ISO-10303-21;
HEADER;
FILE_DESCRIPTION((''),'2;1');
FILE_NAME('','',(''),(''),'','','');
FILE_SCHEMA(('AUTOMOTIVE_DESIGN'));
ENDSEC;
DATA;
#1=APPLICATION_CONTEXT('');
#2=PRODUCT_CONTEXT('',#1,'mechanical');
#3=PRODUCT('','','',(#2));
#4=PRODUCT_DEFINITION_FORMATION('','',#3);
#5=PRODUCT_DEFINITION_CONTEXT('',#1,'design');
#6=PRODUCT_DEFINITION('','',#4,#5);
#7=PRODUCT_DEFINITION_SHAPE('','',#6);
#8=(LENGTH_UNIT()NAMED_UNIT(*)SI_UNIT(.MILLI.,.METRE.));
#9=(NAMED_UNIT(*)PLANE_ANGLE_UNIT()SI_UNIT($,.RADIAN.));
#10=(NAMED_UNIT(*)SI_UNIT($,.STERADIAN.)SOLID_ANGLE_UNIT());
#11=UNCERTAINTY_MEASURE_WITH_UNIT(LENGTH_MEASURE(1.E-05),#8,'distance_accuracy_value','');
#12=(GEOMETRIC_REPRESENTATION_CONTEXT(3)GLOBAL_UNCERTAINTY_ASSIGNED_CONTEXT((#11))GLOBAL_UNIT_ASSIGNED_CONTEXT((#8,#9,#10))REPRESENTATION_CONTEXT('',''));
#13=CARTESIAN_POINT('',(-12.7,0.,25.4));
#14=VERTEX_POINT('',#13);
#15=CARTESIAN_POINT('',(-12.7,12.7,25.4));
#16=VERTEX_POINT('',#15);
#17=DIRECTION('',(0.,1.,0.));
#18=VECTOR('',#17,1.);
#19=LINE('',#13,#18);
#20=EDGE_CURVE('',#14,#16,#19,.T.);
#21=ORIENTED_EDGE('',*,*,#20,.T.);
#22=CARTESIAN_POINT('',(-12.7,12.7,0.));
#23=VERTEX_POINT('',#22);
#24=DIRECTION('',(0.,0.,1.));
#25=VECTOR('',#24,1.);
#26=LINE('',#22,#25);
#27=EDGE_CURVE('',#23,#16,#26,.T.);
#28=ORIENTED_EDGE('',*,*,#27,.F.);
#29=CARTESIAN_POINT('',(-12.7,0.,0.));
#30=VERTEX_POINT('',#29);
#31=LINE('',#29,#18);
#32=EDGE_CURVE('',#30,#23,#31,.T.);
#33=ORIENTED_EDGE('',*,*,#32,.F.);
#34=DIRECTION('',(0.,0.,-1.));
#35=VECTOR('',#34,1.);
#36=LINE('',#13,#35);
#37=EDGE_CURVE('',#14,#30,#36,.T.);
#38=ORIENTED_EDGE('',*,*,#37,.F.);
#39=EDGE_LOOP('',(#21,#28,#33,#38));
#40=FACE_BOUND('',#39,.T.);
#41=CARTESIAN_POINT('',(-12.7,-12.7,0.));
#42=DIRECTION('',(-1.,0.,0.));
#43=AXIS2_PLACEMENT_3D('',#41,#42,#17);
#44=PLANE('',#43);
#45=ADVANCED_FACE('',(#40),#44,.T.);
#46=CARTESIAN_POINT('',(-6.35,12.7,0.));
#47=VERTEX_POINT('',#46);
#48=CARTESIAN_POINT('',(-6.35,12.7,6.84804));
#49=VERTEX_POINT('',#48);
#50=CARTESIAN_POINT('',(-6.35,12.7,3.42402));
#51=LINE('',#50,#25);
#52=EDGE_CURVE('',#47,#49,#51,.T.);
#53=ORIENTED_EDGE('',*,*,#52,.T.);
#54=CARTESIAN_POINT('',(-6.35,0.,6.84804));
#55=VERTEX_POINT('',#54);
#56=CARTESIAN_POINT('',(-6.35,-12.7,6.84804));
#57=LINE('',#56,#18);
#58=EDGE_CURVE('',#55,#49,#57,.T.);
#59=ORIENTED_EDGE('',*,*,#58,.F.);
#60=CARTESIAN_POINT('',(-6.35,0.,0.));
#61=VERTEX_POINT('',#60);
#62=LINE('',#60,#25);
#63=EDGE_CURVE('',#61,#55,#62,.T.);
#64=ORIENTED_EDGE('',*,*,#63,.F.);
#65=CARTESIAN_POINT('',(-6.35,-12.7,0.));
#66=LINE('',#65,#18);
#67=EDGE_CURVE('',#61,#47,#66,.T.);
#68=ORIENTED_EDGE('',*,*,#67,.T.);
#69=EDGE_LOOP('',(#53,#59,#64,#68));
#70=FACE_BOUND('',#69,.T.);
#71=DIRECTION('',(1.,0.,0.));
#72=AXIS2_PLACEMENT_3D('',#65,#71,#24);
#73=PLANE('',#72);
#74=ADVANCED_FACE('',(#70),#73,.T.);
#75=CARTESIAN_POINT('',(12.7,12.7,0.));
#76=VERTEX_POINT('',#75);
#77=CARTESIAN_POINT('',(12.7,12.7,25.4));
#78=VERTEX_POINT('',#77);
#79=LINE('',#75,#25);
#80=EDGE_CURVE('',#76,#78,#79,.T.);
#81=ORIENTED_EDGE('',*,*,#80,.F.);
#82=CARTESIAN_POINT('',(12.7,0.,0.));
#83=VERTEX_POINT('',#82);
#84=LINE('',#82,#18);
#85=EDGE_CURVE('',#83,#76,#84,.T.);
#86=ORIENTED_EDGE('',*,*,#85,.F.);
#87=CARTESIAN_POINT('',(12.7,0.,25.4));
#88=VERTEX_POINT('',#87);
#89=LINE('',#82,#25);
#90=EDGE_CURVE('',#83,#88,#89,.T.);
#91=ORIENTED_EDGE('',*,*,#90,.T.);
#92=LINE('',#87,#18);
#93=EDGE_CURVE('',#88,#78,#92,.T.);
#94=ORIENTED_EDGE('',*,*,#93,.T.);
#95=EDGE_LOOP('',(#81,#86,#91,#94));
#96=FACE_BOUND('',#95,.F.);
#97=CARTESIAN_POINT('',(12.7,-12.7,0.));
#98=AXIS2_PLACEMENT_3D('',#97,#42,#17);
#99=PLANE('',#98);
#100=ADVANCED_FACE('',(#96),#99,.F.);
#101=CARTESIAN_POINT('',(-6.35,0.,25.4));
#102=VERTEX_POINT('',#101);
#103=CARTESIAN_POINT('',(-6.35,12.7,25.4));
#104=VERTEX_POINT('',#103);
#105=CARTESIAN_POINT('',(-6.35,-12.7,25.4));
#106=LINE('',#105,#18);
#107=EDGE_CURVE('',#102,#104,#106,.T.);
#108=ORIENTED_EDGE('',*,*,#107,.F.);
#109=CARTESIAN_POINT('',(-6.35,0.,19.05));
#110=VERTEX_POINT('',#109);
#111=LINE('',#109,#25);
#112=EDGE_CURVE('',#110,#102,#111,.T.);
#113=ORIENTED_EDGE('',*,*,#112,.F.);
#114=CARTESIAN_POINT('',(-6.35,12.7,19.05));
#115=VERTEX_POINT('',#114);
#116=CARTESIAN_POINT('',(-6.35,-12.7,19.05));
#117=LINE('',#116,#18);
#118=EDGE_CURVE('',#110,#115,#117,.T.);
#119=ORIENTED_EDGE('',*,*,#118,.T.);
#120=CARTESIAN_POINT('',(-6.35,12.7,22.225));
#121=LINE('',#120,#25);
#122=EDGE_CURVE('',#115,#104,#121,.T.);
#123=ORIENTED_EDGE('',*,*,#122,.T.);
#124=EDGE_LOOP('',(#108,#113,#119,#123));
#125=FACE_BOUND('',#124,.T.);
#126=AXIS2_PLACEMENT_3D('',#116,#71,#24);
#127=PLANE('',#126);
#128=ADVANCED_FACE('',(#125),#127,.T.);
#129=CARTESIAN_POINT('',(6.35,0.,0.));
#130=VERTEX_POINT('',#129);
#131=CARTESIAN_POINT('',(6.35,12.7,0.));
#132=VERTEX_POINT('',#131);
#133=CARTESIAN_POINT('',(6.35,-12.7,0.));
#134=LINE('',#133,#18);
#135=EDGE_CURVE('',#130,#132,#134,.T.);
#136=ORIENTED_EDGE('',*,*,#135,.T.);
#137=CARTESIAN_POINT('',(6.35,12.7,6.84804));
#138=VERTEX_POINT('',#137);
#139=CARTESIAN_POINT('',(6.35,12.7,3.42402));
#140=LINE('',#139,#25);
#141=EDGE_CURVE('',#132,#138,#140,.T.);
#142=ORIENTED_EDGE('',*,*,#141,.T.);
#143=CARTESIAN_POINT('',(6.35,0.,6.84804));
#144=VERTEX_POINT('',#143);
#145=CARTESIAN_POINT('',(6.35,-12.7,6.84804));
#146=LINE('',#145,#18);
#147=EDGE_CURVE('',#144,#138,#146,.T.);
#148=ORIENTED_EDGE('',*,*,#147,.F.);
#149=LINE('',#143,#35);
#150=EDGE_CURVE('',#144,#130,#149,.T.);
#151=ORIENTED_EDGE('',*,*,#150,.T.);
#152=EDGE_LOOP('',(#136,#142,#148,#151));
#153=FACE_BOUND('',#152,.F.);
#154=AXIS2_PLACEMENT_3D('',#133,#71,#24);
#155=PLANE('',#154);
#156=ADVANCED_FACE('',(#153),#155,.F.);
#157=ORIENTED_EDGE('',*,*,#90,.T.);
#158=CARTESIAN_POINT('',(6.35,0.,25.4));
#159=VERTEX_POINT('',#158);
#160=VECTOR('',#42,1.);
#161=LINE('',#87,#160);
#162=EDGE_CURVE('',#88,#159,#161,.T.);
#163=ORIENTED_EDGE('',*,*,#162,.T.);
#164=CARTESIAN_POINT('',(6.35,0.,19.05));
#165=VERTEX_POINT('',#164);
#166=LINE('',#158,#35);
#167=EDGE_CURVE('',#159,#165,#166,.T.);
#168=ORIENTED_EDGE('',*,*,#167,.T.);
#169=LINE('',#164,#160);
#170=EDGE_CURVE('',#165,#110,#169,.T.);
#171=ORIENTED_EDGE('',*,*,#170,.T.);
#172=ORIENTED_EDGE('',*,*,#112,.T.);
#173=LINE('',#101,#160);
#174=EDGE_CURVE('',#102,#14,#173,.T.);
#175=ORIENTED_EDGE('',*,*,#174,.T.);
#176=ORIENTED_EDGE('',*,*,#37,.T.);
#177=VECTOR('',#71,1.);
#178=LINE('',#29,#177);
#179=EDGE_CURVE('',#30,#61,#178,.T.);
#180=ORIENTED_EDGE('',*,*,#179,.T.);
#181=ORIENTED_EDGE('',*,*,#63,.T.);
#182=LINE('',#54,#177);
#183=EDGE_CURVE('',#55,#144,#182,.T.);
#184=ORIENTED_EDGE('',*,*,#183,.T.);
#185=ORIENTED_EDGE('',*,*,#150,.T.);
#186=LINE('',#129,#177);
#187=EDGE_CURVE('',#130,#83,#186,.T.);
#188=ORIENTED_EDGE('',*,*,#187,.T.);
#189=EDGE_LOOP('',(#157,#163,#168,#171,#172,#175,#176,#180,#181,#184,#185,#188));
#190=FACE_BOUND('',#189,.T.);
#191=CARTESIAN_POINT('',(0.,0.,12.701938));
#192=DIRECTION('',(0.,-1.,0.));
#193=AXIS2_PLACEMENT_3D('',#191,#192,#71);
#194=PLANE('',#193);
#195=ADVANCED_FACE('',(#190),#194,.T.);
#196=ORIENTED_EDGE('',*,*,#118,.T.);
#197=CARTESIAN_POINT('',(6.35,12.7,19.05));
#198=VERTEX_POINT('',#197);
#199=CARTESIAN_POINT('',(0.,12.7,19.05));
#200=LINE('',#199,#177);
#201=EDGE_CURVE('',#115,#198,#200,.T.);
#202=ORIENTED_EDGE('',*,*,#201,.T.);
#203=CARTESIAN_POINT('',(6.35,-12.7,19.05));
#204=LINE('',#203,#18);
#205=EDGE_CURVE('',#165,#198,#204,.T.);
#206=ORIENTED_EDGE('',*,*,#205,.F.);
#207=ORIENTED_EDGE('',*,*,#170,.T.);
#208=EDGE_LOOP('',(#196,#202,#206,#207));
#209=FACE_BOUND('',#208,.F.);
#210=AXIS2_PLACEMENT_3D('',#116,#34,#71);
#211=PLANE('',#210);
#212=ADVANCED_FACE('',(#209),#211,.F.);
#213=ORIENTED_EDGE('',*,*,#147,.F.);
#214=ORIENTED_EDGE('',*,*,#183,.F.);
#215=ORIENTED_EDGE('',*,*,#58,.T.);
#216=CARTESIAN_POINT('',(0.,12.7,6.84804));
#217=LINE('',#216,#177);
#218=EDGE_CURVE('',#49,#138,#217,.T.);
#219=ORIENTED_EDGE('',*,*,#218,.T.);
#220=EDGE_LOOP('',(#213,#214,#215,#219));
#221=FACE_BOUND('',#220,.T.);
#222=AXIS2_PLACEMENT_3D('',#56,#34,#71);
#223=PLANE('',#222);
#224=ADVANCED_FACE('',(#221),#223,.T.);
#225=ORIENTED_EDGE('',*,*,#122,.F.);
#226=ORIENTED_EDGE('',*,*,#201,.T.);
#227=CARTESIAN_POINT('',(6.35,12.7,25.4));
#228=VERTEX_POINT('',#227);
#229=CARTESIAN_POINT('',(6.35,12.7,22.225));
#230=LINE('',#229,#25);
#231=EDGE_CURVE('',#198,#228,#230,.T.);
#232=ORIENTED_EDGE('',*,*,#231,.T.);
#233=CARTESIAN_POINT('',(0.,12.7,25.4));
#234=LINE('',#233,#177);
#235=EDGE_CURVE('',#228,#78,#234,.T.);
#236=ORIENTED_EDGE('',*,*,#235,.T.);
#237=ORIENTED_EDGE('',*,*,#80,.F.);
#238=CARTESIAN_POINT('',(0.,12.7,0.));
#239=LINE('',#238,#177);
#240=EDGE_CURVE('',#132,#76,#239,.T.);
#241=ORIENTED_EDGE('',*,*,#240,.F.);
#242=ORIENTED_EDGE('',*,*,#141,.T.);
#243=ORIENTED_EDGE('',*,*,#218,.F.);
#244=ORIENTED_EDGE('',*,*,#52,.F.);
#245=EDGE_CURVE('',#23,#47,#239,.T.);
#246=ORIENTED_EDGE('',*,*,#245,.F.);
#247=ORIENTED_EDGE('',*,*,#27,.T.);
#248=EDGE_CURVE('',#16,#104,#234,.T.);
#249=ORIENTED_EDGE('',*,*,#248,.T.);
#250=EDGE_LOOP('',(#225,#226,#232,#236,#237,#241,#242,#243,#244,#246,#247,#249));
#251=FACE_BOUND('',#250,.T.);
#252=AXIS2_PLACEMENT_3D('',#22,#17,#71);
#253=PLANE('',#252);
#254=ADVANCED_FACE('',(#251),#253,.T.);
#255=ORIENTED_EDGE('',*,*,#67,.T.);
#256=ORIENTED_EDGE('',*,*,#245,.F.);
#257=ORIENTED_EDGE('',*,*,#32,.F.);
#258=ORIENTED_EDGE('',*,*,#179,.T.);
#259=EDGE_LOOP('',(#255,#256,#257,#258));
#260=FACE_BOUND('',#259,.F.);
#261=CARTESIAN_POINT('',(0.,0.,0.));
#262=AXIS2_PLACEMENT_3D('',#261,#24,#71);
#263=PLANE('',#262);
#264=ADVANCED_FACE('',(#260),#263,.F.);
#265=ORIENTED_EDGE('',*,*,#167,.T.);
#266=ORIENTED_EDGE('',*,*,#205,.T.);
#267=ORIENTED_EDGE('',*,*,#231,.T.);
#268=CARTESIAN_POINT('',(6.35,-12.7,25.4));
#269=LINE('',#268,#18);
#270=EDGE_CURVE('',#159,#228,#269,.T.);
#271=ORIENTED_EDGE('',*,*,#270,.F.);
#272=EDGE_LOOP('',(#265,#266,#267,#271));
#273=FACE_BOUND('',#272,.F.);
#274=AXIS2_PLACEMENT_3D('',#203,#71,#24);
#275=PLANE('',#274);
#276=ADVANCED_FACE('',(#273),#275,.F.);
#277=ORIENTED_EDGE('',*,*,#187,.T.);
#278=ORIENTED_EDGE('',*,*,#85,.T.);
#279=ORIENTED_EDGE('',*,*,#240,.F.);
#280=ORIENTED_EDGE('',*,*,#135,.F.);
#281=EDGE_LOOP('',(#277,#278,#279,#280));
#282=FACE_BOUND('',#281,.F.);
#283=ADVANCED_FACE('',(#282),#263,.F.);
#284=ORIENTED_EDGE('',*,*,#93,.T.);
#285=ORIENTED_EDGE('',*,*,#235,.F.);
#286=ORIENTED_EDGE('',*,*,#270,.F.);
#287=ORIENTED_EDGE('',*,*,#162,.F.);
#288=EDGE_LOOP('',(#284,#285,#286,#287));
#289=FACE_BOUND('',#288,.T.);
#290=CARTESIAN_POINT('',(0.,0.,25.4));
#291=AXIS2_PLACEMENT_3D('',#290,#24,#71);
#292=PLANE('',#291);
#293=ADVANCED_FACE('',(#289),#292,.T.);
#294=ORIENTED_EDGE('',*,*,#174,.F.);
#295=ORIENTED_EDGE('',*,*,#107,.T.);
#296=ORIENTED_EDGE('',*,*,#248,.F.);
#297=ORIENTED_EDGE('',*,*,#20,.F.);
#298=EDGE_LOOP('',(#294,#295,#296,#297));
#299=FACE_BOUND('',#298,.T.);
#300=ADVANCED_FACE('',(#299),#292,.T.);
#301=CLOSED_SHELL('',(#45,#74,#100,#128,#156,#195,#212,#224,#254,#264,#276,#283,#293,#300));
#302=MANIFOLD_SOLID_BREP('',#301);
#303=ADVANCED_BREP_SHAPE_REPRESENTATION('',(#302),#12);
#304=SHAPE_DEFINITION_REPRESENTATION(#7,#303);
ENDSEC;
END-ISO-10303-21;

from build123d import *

# Parameters (mm, degrees)
F0_W     = 25.4
F0_H     = 25.4
F1_DEPTH = 25.4
F2_W     = 12.7
F2_H     = 6.35
F3_DEPTH = 25.4
F4_W     = 12.7
F4_H     = 6.84804
F5_DEPTH = 25.4
F6_DEPTH = 12.7


with BuildPart() as f1:
    # F0 (on Top) → F1 (new body)
    with BuildSketch(Plane.XY):
        Rectangle(F0_W, F0_H)
    extrude(amount=F1_DEPTH)

    # F2 (on face) → F3 (cut)
    with BuildSketch(Plane.XZ.offset(12.7)):
        with Locations((0, 22.225)):
            Rectangle(F2_W, F2_H)
    extrude(amount=-F3_DEPTH, mode=Mode.SUBTRACT)

    # F4 (on face) → F5 (cut)
    with BuildSketch(Plane.XZ.offset(12.7)):
        with Locations((0, 3.42402)):
            Rectangle(F4_W, F4_H)
    extrude(amount=-F5_DEPTH, mode=Mode.SUBTRACT)

    # F1_face (on face) → F6 (cut)
    with BuildSketch(Plane(origin=(0, -12.7, 12.7), x_dir=(1, 0, 0), z_dir=(0, -1, 0))):
        Polygon((-12.7, -12.7), (-6.35, -12.7), (-6.35, -5.85196), (6.35, -5.85196), (6.35, -12.7), (12.7, -12.7), (12.7, 12.7), (6.35, 12.7), (6.35, 6.35), (-6.35, 6.35), (-6.35, 12.7), (-12.7, 12.7), align=None)
    extrude(amount=-F6_DEPTH, mode=Mode.SUBTRACT)


solid = f1.part
